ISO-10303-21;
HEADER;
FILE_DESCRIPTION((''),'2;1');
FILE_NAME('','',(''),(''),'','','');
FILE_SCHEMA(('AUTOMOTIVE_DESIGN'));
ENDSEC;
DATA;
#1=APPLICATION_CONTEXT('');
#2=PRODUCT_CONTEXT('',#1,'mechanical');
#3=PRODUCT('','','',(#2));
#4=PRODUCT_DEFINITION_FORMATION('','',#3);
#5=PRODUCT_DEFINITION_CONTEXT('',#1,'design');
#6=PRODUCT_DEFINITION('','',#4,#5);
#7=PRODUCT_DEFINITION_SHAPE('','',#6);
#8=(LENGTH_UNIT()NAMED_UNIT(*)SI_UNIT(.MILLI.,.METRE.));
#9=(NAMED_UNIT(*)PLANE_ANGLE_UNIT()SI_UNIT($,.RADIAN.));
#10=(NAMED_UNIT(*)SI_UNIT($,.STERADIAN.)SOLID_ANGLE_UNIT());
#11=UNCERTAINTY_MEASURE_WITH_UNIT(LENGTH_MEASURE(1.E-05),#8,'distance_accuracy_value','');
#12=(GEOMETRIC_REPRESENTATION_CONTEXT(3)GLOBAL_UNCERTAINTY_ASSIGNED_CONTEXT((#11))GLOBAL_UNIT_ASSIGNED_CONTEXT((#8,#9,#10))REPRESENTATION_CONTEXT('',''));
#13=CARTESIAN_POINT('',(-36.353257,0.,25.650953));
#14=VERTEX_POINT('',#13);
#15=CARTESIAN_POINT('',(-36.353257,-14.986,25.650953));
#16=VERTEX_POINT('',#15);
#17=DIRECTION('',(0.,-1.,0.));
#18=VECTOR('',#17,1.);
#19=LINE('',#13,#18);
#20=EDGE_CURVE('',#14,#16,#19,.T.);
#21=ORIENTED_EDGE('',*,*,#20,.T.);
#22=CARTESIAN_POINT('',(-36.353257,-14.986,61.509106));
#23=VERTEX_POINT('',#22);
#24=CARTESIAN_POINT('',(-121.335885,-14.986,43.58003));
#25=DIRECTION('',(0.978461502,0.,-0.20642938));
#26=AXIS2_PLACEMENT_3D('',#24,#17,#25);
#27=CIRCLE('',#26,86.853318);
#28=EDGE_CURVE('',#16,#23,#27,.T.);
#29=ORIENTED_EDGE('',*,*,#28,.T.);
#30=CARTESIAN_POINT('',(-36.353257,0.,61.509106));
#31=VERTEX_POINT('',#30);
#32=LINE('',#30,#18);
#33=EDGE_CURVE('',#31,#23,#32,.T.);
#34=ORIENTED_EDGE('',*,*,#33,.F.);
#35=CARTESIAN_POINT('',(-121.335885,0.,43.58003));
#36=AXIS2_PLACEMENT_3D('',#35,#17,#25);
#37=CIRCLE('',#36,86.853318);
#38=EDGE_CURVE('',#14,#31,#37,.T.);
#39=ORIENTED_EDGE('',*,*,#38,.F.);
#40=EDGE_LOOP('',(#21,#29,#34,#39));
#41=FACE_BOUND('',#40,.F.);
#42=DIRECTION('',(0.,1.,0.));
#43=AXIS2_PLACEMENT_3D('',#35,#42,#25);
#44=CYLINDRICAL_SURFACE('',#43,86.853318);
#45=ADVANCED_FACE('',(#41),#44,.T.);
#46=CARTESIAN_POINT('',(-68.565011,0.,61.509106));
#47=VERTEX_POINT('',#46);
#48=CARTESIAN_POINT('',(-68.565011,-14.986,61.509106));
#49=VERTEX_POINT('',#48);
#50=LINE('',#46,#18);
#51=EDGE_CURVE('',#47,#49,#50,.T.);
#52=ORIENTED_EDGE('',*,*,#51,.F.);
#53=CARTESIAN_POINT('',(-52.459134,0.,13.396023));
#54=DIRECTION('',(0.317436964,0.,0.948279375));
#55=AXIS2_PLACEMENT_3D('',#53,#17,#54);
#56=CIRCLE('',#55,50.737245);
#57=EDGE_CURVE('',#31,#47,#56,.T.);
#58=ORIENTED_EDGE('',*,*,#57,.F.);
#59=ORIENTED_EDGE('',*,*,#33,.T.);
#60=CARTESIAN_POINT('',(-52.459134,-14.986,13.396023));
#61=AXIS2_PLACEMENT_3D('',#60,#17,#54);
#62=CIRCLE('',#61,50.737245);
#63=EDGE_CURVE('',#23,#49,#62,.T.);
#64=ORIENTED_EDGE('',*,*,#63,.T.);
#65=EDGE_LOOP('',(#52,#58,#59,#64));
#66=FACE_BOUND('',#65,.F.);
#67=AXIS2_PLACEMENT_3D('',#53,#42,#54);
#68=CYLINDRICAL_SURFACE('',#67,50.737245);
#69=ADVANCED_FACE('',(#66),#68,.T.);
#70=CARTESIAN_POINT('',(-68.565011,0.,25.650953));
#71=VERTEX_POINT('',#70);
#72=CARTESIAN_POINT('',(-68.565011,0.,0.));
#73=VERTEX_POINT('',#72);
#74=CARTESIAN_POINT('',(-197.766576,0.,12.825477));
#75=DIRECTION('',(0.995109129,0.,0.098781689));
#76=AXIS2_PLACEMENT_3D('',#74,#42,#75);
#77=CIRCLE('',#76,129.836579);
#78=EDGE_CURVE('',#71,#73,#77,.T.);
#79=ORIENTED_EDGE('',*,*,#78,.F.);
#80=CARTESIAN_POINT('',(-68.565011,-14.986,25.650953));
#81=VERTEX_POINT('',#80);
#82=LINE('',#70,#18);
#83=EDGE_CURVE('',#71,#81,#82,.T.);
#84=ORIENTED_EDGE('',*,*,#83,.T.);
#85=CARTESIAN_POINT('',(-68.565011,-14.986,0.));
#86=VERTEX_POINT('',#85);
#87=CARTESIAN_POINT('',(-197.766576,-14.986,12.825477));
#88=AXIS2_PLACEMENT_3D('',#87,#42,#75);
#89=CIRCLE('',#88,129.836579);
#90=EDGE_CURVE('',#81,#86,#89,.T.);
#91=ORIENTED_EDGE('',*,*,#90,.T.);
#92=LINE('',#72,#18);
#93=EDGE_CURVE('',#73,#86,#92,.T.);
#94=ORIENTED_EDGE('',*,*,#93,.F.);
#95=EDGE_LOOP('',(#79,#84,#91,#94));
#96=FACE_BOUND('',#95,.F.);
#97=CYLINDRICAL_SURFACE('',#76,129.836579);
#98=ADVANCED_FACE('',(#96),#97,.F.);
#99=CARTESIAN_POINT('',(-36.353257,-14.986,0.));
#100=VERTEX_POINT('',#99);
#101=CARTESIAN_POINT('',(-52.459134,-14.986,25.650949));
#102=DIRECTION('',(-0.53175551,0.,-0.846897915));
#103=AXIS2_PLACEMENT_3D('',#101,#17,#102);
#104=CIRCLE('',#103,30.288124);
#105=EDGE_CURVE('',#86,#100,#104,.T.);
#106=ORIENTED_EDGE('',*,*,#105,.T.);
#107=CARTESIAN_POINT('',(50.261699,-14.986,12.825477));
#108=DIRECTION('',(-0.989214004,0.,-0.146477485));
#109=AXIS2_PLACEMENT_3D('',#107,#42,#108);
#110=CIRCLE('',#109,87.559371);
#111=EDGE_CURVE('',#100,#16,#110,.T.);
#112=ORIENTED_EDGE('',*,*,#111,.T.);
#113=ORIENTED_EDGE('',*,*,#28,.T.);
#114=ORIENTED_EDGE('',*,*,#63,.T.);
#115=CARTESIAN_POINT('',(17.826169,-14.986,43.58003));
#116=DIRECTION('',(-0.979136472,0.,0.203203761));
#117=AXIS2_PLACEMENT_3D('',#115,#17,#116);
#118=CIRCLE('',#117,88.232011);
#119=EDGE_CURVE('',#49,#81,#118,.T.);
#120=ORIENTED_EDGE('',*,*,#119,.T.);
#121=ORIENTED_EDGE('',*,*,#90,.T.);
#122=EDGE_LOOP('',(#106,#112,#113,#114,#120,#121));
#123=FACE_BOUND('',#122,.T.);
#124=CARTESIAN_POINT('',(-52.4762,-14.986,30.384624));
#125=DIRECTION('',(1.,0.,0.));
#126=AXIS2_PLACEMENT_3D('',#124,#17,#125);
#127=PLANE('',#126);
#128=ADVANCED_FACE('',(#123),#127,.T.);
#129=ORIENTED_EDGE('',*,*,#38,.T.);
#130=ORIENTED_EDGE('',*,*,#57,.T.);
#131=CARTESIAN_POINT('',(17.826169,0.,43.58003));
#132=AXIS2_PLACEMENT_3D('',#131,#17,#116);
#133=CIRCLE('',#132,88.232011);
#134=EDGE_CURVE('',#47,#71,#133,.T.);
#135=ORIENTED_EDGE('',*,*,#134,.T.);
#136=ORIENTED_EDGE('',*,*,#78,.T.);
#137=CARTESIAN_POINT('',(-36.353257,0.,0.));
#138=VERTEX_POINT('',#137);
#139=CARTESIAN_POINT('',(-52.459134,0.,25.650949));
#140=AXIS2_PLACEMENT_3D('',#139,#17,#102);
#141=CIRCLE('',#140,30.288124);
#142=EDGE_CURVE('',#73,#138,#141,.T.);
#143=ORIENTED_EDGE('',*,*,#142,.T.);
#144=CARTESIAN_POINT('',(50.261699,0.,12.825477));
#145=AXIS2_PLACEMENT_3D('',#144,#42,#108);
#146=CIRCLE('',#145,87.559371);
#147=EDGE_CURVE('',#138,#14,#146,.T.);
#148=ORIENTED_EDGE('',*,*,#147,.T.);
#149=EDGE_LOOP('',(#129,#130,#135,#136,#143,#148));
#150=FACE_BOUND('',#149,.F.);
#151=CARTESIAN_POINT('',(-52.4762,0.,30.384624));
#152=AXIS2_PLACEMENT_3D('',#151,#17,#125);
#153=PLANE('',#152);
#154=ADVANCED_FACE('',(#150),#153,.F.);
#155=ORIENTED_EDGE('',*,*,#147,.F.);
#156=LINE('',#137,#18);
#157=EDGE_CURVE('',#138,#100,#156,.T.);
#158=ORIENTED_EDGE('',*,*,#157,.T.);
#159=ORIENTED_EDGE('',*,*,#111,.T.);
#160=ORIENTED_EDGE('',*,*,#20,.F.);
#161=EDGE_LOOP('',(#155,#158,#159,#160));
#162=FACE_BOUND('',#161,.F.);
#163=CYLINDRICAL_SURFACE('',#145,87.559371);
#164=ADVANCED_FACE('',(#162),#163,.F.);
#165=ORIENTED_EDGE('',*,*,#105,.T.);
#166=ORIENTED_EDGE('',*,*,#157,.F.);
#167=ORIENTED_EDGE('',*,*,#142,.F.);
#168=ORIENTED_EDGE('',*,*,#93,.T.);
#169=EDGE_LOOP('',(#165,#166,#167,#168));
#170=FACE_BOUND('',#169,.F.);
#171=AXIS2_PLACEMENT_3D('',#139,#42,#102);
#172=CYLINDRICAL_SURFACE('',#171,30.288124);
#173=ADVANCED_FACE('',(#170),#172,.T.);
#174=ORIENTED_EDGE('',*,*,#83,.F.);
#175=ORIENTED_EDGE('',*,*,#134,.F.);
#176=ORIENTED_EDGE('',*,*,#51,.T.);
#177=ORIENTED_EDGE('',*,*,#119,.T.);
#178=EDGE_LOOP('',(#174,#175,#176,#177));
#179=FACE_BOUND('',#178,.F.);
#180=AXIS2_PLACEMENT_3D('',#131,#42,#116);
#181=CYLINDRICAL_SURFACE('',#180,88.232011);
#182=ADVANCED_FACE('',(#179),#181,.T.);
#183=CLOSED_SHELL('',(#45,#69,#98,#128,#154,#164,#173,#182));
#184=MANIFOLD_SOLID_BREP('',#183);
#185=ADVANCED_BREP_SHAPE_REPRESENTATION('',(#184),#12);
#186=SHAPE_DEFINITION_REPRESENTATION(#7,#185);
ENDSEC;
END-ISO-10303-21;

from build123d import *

# Parameters (mm, degrees)
F1_DEPTH = 14.986


with BuildPart() as f1:
    # F0 (on Front) → F1 (new body)
    with BuildSketch(Plane.XZ):
        with BuildLine():
            ThreePointArc((-68.565011, 25.650953), (-67.929997, 12.825476), (-68.565011, 0))
            ThreePointArc((-68.565011, 0), (-52.459134, -4.637175), (-36.353257, 0))
            ThreePointArc((-36.353257, 0), (-37.297672, 12.825476), (-36.353257, 25.650953))
            ThreePointArc((-36.353257, 25.650953), (-34.482567, 43.58003), (-36.353257, 61.509106))
            ThreePointArc((-36.353257, 61.509106), (-52.459134, 64.133268), (-68.565011, 61.509106))
            ThreePointArc((-68.565011, 61.509106), (-70.405842, 43.58003), (-68.565011, 25.650953))
        make_face()
    extrude(amount=F1_DEPTH)


solid = f1.part
